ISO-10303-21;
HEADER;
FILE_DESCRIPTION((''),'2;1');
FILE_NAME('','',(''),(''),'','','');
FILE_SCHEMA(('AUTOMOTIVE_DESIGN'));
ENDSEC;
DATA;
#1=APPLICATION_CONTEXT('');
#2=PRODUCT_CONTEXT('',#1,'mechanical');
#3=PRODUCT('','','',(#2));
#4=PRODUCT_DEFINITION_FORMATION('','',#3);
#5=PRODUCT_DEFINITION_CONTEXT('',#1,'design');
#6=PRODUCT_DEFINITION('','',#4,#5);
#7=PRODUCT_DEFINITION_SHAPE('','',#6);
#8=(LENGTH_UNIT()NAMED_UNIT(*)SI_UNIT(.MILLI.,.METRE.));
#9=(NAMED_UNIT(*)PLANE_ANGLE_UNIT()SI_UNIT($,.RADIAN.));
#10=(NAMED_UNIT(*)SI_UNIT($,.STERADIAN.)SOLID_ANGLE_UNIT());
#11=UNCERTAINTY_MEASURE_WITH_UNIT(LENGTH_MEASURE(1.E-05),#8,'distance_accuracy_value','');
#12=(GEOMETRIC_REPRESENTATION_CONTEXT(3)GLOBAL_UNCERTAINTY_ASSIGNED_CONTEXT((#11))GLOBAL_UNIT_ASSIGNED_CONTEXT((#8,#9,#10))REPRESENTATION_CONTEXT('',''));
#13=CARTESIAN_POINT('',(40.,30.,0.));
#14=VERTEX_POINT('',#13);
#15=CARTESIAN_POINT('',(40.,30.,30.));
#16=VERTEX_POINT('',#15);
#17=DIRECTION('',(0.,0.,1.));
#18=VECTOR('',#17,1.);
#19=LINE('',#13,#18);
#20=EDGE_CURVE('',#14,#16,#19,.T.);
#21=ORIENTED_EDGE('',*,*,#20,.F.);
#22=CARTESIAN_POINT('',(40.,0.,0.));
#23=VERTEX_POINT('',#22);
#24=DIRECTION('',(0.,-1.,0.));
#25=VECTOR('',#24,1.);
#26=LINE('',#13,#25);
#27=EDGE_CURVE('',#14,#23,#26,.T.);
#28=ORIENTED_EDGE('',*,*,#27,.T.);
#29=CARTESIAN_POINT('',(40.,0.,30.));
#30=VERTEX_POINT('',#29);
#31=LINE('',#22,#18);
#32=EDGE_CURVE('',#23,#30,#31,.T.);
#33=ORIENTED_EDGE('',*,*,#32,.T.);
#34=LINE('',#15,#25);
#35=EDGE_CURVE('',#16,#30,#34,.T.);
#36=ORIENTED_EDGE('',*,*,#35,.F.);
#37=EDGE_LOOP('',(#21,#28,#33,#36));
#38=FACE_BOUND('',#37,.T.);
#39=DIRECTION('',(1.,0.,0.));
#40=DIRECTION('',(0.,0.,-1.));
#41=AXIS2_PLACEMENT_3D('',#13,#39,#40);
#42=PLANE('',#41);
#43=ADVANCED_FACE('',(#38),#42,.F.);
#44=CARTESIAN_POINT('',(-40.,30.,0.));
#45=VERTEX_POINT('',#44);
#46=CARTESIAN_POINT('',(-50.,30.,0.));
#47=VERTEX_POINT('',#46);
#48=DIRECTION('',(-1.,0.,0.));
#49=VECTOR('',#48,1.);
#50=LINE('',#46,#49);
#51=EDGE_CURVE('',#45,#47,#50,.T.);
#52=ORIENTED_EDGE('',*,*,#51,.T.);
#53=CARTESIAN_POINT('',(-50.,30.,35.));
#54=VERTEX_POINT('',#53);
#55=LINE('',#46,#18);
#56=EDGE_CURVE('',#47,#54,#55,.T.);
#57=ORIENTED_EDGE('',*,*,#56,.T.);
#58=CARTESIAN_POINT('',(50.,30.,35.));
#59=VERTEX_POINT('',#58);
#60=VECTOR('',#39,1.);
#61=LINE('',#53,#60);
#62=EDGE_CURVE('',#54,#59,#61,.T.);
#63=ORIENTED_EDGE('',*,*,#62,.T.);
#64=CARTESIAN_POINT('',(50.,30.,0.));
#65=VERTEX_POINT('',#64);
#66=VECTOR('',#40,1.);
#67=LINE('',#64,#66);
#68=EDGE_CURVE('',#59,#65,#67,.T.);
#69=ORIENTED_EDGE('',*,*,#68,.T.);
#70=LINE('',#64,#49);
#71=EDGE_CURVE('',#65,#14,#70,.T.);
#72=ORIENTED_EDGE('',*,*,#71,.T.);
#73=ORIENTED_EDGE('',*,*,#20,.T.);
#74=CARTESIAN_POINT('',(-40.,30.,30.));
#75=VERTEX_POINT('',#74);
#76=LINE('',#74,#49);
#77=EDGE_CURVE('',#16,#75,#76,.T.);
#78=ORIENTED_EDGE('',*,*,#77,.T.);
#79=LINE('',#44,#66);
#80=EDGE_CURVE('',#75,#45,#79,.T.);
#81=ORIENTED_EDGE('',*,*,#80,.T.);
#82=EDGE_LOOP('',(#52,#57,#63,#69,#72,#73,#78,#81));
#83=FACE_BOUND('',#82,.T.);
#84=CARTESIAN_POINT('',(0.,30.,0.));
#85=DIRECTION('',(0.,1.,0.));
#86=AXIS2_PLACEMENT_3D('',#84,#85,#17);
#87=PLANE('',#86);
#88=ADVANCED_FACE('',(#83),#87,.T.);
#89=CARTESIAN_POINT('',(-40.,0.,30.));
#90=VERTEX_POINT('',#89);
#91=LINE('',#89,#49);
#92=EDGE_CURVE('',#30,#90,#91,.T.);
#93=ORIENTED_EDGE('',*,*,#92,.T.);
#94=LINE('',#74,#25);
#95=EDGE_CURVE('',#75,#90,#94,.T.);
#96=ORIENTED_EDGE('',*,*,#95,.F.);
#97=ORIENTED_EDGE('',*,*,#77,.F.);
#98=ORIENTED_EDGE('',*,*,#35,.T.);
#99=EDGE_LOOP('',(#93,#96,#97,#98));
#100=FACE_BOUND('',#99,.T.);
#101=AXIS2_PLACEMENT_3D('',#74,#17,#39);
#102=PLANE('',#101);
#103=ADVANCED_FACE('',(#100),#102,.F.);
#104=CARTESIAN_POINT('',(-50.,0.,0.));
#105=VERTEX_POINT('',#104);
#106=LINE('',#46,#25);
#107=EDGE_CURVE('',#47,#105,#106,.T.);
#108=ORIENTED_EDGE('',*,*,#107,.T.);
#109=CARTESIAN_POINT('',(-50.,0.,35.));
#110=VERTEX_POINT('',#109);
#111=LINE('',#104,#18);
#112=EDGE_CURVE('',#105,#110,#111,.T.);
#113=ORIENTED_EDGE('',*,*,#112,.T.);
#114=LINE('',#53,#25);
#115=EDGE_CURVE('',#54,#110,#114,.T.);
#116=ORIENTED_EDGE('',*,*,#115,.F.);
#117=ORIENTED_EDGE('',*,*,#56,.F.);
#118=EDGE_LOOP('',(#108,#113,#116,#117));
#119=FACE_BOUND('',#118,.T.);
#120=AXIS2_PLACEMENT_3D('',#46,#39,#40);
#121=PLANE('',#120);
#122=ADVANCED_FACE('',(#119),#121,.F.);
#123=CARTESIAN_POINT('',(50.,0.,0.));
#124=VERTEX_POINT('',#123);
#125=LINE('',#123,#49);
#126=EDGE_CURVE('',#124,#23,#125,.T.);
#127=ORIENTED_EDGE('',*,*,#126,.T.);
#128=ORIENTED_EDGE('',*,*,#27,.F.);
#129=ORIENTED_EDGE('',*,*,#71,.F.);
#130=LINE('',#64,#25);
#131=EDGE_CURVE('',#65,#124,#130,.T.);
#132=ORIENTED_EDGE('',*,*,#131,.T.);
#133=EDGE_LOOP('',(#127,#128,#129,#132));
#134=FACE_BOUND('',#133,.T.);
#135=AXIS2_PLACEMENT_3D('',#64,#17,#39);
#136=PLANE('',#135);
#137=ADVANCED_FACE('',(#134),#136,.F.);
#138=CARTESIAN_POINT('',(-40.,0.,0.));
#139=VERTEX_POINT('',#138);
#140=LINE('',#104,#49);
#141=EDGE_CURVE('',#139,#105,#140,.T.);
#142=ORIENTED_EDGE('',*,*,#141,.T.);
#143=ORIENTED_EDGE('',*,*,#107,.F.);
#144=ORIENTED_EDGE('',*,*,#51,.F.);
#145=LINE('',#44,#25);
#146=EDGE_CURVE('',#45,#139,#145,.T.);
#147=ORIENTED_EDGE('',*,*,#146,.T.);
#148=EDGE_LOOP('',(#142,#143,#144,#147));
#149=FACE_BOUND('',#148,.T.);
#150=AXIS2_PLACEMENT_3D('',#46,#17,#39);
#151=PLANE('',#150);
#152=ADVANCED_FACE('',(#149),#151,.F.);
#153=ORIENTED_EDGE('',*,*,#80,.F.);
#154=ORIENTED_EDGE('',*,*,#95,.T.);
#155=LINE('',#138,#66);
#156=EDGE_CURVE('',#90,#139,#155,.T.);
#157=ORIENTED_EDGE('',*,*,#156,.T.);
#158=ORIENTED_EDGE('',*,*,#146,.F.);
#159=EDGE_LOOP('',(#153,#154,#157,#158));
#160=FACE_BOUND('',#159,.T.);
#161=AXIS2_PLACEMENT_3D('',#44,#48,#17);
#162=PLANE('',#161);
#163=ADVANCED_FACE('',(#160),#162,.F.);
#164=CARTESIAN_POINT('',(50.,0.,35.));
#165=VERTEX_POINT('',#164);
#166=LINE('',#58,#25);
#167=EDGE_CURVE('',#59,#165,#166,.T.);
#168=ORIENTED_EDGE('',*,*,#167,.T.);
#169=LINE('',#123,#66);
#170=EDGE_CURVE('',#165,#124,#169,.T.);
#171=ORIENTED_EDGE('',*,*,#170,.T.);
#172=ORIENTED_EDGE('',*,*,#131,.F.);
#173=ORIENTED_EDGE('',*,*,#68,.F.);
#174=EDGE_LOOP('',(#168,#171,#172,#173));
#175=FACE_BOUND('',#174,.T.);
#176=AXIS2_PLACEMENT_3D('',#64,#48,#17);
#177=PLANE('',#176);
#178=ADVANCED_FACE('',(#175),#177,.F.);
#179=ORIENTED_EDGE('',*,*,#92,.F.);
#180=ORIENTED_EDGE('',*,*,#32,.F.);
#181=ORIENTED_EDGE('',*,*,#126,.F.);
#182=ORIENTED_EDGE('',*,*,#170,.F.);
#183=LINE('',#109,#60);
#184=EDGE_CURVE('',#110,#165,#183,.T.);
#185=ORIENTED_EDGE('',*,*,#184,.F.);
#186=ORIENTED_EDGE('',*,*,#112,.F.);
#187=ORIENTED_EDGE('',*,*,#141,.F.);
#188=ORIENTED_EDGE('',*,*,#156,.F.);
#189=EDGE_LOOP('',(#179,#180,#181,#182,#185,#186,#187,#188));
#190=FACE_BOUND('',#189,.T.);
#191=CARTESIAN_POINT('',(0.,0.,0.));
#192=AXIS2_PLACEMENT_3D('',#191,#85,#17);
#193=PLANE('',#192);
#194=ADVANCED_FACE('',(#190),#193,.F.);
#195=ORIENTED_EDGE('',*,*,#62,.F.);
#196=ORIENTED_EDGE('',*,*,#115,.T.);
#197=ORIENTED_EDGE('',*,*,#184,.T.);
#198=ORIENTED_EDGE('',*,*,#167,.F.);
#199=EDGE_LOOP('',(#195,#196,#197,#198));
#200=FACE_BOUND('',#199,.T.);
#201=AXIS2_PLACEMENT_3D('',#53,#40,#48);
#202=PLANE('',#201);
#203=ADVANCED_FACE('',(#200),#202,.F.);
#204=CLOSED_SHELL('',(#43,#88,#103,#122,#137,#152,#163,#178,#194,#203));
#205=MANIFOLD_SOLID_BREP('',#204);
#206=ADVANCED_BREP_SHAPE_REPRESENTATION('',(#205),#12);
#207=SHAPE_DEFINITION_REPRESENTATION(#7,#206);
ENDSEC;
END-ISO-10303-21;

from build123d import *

# Parameters (mm, degrees)
BOSS_EXTRUDE1_DEPTH = 30


with BuildPart() as part:
    # Sketch1 → Boss-Extrude1 (new body)
    with BuildSketch(Plane(origin=(0, 0, 0), x_dir=(1, 0, 0), z_dir=(0, 1, 0))):
        Polygon((-50, 0), (-40, 0), (-40, -30), (40, -30), (40, 0), (50, 0), (50, -35), (-50, -35), align=None)
    extrude(amount=BOSS_EXTRUDE1_DEPTH)


solid = part.part
